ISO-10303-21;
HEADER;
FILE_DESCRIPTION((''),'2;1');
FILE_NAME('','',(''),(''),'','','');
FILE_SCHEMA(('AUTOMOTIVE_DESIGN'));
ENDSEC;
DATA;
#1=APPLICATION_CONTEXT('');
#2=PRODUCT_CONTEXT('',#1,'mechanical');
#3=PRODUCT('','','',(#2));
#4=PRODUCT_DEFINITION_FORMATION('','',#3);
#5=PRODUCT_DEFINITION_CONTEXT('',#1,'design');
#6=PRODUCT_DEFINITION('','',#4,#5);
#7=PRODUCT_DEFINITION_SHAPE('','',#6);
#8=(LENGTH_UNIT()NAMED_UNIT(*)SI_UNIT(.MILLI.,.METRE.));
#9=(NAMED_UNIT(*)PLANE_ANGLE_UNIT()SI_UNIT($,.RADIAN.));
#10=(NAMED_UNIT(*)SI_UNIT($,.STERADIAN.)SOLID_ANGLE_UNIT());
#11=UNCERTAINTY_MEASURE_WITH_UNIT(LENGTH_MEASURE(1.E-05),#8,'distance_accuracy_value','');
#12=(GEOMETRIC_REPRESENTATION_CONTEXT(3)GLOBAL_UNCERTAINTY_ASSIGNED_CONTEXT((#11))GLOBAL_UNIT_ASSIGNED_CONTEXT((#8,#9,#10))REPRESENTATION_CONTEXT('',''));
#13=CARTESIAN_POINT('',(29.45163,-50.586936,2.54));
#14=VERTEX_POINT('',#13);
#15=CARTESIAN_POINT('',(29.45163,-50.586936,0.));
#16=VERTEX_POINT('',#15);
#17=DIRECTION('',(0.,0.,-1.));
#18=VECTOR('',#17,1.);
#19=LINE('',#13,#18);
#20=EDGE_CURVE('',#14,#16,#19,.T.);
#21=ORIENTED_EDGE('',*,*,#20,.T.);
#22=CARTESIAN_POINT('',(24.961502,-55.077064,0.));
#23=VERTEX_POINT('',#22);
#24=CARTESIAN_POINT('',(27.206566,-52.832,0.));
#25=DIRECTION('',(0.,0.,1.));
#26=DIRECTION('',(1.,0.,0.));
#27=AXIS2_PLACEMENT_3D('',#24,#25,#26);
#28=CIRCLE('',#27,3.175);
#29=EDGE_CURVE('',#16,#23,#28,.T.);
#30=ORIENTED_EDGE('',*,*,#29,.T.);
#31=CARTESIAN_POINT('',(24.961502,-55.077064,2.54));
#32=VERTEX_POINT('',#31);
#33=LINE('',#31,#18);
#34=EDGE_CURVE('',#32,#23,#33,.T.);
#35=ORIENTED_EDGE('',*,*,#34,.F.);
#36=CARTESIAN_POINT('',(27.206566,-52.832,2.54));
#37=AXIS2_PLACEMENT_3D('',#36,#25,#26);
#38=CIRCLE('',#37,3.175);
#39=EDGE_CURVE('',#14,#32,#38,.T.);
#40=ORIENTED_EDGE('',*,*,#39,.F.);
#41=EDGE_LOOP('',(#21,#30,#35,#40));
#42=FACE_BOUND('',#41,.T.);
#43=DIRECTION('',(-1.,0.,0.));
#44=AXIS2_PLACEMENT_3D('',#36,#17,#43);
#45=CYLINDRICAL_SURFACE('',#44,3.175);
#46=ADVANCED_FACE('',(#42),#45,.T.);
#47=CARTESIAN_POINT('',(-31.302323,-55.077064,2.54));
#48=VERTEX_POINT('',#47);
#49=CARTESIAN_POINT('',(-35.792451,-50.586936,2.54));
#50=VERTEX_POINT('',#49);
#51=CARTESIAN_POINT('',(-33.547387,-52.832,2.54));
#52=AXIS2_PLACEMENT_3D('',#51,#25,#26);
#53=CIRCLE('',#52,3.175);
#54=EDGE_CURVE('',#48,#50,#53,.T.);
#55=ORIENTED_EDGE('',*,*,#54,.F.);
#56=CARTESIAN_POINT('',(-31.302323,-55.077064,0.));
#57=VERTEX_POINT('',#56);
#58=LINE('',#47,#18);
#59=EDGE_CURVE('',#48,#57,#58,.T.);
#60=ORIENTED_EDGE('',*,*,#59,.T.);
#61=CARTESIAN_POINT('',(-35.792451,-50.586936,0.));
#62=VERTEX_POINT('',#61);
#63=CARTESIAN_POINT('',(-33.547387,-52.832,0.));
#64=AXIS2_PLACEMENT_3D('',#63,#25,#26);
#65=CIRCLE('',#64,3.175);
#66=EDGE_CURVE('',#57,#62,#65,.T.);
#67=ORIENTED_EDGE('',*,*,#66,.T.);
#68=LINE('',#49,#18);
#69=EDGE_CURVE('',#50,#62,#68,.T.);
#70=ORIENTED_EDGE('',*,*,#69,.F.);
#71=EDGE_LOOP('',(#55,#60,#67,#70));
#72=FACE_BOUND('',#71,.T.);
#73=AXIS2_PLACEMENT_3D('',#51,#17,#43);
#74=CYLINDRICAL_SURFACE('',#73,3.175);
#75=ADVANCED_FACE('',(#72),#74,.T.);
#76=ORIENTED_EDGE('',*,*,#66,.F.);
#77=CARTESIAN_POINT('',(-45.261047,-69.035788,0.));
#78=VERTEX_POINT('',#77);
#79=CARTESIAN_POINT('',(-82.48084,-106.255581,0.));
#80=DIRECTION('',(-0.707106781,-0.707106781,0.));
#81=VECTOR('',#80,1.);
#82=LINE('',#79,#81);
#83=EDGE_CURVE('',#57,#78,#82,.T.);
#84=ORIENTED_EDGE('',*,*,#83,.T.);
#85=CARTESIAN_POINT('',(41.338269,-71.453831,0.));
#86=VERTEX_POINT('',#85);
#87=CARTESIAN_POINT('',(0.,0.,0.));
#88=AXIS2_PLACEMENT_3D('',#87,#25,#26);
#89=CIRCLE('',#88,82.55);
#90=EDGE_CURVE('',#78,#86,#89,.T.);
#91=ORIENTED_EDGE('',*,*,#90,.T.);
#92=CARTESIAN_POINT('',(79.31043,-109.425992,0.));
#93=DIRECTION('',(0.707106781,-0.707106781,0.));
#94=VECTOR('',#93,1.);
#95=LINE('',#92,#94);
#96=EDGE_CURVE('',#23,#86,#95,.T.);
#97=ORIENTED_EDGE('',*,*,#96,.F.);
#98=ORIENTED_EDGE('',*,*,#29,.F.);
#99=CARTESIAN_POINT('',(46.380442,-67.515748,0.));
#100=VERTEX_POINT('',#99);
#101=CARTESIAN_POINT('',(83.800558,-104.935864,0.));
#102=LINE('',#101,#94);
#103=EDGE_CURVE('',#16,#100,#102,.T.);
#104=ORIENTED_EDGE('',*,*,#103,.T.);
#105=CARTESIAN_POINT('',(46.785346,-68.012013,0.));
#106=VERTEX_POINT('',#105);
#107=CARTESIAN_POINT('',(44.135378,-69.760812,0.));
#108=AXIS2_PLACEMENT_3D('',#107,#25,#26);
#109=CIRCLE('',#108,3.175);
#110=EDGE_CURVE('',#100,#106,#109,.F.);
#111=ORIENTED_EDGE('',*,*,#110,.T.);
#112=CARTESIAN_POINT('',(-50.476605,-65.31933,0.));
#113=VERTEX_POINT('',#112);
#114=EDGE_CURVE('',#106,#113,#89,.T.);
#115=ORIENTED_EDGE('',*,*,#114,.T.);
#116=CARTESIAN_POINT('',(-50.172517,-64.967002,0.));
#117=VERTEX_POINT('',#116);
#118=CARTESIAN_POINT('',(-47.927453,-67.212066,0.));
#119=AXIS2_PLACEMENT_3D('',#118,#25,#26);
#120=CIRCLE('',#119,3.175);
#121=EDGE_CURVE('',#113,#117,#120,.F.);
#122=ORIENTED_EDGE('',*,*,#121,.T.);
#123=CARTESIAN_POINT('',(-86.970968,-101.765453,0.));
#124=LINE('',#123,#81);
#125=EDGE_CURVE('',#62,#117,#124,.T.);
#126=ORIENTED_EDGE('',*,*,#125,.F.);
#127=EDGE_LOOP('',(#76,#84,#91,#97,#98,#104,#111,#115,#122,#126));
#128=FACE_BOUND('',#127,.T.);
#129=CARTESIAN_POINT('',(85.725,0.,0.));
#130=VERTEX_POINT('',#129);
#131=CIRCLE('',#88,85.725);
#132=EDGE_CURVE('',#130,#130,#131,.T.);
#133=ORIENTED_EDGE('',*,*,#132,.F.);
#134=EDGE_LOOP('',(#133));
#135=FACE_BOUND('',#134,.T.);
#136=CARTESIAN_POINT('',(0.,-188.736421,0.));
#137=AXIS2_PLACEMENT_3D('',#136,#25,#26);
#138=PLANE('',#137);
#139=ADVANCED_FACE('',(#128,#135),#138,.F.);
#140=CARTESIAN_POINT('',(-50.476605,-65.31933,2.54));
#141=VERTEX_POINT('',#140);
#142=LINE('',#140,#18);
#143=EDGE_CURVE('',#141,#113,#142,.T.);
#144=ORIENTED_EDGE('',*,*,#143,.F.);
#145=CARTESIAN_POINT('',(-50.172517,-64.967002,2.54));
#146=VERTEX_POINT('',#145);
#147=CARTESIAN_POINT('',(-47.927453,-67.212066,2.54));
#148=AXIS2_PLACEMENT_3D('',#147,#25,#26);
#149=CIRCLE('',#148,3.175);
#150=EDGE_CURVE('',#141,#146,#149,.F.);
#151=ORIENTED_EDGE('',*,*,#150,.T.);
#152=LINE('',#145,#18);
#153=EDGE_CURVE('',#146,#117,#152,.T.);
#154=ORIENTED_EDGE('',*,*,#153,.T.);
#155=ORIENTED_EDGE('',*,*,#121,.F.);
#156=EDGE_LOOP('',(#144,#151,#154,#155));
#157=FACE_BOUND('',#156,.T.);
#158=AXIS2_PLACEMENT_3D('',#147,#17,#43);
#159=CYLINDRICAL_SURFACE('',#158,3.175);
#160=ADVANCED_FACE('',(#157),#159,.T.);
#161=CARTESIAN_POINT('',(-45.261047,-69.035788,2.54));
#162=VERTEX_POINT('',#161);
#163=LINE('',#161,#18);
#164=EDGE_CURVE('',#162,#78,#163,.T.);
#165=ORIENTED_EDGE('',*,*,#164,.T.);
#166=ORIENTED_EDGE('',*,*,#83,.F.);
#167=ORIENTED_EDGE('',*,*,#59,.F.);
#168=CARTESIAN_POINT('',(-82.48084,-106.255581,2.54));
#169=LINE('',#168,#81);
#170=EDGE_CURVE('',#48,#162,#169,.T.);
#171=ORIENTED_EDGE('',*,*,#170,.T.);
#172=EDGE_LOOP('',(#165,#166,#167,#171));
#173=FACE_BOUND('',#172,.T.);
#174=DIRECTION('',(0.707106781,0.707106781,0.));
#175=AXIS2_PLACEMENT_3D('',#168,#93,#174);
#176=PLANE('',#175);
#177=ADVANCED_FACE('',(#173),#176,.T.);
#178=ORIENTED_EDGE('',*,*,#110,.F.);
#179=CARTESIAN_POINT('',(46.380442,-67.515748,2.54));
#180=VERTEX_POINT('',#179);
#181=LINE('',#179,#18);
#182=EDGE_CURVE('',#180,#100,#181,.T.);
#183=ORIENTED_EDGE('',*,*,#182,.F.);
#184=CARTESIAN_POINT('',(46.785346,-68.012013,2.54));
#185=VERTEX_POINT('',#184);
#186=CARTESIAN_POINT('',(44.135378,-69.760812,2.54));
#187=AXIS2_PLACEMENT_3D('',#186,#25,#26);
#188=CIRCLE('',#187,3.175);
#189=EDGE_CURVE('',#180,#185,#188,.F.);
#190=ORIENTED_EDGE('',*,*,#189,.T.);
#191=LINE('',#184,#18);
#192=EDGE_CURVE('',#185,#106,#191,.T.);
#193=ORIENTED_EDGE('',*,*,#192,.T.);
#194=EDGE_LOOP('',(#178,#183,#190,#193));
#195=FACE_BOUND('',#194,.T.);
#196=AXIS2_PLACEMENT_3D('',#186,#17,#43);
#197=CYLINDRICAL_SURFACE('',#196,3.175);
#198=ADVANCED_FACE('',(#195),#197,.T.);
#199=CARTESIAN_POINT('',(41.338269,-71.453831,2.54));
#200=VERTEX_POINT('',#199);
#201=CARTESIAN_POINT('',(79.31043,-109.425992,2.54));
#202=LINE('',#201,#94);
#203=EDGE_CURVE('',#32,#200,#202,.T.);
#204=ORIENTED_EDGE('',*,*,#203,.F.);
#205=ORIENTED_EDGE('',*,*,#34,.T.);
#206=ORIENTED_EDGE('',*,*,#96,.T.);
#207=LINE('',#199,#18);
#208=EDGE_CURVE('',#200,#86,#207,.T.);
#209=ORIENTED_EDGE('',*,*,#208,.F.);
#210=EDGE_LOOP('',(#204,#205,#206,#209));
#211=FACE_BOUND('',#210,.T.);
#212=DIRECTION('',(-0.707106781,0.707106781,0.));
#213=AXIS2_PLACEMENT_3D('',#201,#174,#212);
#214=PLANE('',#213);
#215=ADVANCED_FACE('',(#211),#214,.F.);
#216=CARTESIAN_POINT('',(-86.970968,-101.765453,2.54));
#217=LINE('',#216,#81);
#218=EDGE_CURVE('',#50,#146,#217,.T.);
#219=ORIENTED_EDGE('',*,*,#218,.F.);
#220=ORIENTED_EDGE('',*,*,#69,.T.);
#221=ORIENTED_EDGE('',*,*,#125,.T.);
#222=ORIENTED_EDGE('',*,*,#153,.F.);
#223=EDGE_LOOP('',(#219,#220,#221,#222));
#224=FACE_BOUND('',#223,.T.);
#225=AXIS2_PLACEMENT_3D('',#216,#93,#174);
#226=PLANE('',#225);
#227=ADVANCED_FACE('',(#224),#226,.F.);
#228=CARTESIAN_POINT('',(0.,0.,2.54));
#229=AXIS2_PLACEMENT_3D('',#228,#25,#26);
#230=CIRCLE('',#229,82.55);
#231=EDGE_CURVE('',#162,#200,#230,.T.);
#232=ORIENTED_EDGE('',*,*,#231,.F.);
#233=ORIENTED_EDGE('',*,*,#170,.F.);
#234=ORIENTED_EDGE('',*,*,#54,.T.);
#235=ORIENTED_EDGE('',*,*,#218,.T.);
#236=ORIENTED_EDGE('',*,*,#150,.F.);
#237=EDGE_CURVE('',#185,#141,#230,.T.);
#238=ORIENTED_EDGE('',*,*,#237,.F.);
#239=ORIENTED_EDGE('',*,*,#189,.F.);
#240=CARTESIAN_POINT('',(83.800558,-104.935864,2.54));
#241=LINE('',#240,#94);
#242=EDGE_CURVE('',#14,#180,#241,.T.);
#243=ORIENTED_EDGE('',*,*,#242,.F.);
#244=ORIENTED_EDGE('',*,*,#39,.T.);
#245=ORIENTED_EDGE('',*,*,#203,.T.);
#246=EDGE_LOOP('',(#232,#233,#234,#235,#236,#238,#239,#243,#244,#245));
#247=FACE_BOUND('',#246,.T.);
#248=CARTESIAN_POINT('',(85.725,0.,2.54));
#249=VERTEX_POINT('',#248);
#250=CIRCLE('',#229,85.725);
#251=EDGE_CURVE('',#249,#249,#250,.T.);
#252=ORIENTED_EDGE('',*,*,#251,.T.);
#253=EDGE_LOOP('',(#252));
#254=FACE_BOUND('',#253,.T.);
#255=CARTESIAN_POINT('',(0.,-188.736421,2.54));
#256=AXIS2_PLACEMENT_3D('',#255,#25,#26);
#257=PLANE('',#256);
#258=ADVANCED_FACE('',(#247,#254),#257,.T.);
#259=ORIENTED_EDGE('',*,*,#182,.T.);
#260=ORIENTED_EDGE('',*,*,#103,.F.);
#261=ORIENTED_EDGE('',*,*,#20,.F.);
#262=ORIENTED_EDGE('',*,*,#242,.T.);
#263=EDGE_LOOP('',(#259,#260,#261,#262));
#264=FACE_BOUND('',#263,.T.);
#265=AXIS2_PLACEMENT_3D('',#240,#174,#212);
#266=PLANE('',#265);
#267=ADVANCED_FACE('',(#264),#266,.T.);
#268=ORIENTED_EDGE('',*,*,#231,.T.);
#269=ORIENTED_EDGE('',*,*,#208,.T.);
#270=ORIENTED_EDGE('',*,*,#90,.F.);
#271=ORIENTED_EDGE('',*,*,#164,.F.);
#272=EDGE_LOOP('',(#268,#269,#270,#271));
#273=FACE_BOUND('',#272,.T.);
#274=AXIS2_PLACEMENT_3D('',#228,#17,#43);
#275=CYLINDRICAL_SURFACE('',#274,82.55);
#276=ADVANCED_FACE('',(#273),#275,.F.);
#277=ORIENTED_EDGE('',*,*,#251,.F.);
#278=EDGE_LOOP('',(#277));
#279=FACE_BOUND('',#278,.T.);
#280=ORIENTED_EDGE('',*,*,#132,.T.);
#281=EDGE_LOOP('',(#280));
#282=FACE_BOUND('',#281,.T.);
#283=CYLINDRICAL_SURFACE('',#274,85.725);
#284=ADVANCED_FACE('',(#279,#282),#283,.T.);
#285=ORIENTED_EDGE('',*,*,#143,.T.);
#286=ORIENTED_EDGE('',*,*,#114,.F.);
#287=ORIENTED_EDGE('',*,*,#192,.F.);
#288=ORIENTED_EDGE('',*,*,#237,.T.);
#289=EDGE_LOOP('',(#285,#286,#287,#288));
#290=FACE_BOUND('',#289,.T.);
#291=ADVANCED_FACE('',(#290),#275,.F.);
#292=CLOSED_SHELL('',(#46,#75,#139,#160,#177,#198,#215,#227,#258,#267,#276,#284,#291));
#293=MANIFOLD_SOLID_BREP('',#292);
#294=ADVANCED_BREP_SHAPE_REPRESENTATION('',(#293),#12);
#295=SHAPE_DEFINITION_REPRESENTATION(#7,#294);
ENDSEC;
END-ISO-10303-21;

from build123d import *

# Parameters (mm, degrees)
SKETCH1_R           = 85.725
BOSS_EXTRUDE2_DEPTH = 2.54


with BuildPart() as part:
    # Sketch1 → Boss-Extrude2 (new body)
    with BuildSketch(Plane.XY):
        Circle(SKETCH1_R)
        with BuildLine():
            ThreePointArc((-50.476604824, -65.319329952), (2.284509609, 82.518382896), (46.785345693, -68.012013118))
            ThreePointArc((46.785345693, -68.012013118), (46.595439838, -67.75364435), (46.380442263, -67.515747951))
            Line((46.380442263, -67.515747951), (29.451630282, -50.58693597))
            ThreePointArc((29.451630282, -50.58693597), (24.961502222, -50.58693597), (24.961502222, -55.07706403))
            Line((24.961502222, -55.07706403), (41.33826935, -71.453831158))
            ThreePointArc((41.33826935, -71.453831158), (-2.304078902, -82.517838801), (-45.26104742, -69.035788447))
            Line((-45.26104742, -69.035788447), (-31.302323003, -55.07706403))
            ThreePointArc((-31.302323003, -55.07706403), (-31.302323003, -50.58693597), (-35.792451064, -50.58693597))
            Line((-35.792451064, -50.58693597), (-50.172516759, -64.967001665))
            ThreePointArc((-50.172516759, -64.967001665), (-50.331025251, -65.137586452), (-50.476604824, -65.319329952))
        make_face(mode=Mode.SUBTRACT)
    extrude(amount=BOSS_EXTRUDE2_DEPTH)


solid = part.part
